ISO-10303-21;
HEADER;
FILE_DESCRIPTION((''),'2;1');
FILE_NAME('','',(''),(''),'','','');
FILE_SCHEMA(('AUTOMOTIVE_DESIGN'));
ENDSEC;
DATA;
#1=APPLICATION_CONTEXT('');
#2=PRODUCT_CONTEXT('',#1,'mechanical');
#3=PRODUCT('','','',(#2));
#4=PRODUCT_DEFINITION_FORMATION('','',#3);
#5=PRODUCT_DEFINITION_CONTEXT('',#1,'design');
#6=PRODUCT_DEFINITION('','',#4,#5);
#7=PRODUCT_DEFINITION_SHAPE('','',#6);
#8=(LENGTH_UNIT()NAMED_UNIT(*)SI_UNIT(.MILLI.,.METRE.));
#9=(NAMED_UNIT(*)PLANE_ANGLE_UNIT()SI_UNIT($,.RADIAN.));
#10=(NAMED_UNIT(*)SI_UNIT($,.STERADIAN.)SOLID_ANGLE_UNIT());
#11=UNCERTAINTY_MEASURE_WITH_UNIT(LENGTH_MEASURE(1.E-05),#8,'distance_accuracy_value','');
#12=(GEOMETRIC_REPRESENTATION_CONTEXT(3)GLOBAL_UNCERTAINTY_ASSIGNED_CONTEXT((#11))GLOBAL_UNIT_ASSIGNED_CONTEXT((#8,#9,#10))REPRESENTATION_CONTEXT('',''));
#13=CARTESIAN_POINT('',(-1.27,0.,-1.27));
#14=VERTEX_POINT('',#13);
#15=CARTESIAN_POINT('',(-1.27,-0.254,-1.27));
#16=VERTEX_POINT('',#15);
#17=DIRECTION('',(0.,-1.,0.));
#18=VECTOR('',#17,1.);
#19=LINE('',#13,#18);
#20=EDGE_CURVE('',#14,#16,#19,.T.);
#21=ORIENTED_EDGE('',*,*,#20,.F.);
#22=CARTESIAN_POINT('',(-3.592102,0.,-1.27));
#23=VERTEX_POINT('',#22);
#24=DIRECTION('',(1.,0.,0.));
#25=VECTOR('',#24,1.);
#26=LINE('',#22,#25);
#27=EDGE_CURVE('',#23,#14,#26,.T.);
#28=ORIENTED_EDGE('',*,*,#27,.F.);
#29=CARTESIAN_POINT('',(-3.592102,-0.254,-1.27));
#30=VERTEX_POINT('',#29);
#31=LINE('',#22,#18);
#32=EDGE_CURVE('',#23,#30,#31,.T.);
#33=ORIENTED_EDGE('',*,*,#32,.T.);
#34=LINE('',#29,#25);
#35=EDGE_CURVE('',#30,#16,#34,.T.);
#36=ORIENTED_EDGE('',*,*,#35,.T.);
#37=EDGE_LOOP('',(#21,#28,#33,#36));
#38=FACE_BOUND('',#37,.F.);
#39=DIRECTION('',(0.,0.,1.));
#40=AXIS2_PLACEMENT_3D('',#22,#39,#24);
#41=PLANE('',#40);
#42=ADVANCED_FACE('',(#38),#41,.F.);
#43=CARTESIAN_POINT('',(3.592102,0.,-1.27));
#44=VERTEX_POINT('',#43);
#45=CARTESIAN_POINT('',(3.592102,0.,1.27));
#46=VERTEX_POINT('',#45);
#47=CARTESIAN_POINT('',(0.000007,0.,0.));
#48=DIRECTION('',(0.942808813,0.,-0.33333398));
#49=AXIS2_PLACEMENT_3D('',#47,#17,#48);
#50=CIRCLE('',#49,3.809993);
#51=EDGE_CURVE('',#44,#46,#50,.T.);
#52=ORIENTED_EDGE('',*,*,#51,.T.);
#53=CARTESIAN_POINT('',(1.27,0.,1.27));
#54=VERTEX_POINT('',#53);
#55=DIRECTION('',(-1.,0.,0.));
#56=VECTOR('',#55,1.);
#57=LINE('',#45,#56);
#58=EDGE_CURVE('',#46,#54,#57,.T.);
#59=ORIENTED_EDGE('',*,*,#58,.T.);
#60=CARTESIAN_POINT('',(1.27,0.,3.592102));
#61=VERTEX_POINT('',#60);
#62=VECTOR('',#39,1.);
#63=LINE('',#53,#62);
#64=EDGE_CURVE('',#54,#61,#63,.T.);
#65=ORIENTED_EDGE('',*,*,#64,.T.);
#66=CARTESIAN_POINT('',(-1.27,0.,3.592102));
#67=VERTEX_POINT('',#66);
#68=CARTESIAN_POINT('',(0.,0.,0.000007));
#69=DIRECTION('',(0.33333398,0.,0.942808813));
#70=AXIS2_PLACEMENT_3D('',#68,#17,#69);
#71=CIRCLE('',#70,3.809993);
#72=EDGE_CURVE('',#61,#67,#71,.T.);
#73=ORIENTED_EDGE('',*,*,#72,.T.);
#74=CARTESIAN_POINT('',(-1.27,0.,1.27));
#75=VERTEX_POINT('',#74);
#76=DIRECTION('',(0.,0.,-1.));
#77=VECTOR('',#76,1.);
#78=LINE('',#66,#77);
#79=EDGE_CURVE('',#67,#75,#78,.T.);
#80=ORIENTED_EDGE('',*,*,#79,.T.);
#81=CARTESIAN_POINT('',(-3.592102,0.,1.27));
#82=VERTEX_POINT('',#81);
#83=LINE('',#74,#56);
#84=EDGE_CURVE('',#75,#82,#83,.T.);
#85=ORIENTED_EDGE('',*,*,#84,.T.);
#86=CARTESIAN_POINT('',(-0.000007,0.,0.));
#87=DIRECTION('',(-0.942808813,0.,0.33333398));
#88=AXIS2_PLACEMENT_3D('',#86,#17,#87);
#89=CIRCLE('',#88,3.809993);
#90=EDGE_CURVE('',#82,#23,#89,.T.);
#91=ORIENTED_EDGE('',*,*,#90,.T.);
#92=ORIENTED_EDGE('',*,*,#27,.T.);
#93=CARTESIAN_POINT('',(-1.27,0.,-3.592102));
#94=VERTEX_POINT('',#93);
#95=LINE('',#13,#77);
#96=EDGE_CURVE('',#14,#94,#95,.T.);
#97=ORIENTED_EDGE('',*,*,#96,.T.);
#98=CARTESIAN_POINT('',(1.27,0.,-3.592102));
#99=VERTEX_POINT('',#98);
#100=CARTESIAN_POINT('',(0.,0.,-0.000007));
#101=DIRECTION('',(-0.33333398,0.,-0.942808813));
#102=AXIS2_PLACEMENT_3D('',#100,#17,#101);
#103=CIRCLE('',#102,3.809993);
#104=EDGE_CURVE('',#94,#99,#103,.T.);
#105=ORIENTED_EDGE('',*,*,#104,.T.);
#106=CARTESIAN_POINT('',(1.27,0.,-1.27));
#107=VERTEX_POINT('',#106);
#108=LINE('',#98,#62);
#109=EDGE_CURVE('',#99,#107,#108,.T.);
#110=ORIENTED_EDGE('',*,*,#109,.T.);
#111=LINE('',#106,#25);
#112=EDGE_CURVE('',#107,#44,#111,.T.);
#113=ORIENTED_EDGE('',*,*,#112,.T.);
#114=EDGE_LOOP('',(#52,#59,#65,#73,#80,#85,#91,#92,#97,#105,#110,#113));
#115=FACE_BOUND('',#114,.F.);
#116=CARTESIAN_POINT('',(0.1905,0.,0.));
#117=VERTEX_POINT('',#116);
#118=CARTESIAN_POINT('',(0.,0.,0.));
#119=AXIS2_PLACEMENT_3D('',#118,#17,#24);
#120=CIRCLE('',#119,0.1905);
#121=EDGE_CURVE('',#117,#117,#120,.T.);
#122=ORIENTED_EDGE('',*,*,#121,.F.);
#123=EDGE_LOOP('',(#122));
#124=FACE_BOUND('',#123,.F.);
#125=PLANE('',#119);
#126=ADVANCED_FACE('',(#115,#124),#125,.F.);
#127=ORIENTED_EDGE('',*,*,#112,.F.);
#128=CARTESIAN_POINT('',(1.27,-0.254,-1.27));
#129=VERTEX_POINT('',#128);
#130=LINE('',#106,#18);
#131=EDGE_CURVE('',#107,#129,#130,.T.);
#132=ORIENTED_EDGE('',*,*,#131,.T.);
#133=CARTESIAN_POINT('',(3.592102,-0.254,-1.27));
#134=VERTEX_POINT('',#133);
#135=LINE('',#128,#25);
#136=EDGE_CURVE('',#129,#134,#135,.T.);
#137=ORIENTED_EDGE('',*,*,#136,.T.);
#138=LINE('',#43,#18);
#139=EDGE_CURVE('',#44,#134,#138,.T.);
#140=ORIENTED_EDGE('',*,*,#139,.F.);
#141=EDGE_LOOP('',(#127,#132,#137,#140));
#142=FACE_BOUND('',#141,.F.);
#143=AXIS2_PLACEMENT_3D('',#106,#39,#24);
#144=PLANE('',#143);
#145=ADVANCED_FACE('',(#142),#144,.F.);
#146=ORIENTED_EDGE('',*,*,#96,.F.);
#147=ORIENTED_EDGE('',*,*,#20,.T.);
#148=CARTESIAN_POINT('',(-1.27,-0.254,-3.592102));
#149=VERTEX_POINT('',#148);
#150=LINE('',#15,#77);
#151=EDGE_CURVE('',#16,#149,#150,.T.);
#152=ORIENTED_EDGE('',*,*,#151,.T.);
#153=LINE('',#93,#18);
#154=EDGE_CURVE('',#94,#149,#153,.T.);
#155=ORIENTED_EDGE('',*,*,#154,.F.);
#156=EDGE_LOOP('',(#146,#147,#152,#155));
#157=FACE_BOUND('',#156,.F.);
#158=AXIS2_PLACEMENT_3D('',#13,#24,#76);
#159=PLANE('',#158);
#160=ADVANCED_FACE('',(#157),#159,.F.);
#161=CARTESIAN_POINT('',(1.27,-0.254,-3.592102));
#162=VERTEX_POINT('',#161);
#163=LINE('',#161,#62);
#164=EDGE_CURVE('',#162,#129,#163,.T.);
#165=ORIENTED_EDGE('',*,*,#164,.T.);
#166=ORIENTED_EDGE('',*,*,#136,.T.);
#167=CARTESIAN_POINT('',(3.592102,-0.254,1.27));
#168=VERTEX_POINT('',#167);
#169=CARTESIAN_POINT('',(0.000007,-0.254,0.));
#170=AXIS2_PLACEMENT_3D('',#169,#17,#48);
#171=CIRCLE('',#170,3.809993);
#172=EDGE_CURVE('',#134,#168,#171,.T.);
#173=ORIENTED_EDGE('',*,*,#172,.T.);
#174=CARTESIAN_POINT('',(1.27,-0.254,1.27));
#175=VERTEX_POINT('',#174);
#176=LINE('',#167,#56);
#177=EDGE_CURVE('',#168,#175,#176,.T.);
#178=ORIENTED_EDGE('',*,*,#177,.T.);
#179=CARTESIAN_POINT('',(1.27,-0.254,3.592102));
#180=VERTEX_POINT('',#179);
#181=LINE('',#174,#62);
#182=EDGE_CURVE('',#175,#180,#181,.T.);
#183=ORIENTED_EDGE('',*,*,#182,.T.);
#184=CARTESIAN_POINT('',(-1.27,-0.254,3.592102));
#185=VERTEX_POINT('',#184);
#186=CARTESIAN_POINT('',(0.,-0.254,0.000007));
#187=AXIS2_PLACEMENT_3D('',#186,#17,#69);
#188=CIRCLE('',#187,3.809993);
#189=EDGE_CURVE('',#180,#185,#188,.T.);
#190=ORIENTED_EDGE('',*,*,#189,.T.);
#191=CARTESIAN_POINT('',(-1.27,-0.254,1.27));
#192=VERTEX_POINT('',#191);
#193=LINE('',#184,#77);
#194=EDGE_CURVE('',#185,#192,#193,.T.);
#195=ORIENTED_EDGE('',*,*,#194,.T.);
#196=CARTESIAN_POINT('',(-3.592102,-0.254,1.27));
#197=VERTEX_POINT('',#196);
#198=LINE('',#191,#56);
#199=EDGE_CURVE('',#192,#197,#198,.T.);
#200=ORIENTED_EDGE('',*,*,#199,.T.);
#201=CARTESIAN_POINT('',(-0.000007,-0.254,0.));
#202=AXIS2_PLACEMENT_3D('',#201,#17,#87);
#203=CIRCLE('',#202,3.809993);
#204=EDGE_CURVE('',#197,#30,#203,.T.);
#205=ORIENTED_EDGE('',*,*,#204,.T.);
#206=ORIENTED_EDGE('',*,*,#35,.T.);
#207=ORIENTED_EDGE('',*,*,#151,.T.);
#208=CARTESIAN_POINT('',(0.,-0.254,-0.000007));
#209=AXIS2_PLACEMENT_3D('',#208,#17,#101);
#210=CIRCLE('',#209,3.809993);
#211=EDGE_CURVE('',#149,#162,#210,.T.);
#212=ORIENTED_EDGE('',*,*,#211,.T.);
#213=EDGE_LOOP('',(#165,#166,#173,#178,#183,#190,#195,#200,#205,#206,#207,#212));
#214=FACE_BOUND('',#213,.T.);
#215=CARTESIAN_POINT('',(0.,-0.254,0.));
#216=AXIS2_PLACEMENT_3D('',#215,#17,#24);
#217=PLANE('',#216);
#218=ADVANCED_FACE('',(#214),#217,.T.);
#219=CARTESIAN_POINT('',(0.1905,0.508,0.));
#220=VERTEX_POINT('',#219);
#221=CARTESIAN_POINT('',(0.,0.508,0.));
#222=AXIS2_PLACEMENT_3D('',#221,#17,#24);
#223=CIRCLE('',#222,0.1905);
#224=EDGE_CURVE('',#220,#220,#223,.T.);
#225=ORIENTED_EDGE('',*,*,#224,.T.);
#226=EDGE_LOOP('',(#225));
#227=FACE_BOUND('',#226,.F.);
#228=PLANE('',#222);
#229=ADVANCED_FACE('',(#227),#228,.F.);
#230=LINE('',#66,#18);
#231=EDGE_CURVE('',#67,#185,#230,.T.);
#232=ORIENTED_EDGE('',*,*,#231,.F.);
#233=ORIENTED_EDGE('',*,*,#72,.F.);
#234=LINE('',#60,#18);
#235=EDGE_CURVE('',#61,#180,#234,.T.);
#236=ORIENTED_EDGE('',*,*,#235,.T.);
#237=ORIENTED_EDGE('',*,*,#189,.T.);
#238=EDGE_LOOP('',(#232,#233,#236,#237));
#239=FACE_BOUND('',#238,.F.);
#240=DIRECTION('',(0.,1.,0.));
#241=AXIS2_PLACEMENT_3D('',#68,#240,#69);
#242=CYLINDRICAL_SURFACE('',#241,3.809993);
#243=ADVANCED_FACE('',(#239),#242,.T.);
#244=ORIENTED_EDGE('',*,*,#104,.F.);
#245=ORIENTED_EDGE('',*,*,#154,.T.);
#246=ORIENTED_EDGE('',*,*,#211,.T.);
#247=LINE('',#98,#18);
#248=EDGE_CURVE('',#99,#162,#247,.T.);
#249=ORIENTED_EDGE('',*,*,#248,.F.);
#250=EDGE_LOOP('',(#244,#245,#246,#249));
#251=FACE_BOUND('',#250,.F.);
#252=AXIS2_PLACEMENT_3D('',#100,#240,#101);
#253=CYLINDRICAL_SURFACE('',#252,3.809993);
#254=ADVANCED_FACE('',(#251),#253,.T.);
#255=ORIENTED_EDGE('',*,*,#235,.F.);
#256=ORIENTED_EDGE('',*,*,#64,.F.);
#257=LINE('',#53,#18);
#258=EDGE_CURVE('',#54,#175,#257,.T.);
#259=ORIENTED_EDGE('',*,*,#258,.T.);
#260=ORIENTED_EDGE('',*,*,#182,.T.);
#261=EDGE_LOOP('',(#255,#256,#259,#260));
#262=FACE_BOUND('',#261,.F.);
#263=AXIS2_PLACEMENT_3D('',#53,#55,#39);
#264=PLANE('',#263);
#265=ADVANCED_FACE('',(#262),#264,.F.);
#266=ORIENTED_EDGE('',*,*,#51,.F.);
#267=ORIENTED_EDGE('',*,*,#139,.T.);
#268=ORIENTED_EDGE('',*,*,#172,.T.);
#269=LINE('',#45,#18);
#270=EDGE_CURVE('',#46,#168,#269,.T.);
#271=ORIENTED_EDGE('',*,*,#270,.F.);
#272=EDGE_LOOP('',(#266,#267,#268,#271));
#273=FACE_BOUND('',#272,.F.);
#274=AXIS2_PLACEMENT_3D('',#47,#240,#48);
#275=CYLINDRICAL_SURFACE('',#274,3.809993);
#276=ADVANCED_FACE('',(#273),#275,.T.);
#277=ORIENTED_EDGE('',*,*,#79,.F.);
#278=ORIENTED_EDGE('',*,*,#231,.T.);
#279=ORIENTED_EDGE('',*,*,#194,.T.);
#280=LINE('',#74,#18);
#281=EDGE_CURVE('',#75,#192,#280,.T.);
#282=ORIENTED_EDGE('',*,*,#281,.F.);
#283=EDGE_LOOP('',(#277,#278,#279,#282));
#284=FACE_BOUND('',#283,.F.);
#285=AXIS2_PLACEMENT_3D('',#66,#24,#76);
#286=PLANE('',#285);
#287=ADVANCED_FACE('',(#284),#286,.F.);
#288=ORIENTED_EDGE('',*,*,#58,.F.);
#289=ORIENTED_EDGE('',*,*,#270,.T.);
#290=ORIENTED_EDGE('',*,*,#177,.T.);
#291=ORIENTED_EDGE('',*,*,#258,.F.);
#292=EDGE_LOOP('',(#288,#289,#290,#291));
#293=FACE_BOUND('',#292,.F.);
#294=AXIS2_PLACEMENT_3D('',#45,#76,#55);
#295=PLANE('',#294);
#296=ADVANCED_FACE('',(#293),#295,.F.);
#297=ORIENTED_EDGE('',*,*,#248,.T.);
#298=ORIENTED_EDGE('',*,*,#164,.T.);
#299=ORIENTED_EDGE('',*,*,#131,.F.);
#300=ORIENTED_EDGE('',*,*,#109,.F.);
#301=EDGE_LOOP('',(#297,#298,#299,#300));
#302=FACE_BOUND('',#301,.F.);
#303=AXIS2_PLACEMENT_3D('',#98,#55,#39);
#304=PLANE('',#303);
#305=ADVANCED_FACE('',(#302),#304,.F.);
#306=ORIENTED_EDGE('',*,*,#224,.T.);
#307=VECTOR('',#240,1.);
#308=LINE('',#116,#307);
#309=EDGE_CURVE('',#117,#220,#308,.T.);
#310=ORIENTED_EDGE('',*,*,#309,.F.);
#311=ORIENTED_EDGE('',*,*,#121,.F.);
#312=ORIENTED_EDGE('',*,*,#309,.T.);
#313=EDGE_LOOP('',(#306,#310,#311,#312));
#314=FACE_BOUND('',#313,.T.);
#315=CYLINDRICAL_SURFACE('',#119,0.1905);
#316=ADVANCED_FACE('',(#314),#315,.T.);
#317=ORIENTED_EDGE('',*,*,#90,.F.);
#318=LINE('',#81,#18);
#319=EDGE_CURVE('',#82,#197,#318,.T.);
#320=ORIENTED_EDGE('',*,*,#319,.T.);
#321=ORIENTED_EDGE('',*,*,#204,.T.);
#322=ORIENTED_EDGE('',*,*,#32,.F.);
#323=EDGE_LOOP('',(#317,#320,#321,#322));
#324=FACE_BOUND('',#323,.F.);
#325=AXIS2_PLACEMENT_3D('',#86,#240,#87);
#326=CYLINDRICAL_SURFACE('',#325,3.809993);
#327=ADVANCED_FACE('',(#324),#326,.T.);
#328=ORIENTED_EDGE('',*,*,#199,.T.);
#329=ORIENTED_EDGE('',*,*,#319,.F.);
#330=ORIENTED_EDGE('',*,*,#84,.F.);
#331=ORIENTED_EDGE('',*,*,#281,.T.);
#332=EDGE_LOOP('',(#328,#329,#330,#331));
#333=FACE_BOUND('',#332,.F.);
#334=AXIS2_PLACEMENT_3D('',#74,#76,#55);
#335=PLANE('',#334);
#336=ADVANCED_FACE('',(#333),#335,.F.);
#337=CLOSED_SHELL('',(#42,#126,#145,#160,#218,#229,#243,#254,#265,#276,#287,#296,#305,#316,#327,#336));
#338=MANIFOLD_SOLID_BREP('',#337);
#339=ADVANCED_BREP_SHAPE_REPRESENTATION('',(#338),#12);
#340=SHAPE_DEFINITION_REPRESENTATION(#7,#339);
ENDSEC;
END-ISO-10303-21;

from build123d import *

# Parameters (mm, degrees)
F0_R     = 0.1905
F1_DEPTH = 0.254
F2_DEPTH = 0.508


with BuildPart() as f1:
    # F0 (on Front) → F1 (new body)
    with BuildSketch(Plane.XZ):
        with BuildLine():
            Line((-1.27, 1.27), (-3.592102, 1.27))
            ThreePointArc((-3.592102, 1.27), (-3.81, 0), (-3.592102, -1.27))
            Line((-3.592102, -1.27), (-1.27, -1.27))
            Line((-1.27, -1.27), (-1.27, -3.592102))
            ThreePointArc((-1.27, -3.592102), (0, -3.81), (1.27, -3.592102))
            Line((1.27, -3.592102), (1.27, -1.27))
            Line((1.27, -1.27), (3.592102, -1.27))
            ThreePointArc((3.592102, -1.27), (3.81, 0), (3.592102, 1.27))
            Line((3.592102, 1.27), (1.27, 1.27))
            Line((1.27, 1.27), (1.27, 3.592102))
            ThreePointArc((1.27, 3.592102), (0, 3.81), (-1.27, 3.592102))
            Line((-1.27, 3.592102), (-1.27, 1.27))
        make_face()
        Circle(F0_R, mode=Mode.SUBTRACT)
        Circle(F0_R)
    extrude(amount=F1_DEPTH)

    # F0 (on Front) → F2 (join)
    with BuildSketch(Plane.XZ):
        Circle(F0_R)
    extrude(amount=-F2_DEPTH)


solid = f1.part
